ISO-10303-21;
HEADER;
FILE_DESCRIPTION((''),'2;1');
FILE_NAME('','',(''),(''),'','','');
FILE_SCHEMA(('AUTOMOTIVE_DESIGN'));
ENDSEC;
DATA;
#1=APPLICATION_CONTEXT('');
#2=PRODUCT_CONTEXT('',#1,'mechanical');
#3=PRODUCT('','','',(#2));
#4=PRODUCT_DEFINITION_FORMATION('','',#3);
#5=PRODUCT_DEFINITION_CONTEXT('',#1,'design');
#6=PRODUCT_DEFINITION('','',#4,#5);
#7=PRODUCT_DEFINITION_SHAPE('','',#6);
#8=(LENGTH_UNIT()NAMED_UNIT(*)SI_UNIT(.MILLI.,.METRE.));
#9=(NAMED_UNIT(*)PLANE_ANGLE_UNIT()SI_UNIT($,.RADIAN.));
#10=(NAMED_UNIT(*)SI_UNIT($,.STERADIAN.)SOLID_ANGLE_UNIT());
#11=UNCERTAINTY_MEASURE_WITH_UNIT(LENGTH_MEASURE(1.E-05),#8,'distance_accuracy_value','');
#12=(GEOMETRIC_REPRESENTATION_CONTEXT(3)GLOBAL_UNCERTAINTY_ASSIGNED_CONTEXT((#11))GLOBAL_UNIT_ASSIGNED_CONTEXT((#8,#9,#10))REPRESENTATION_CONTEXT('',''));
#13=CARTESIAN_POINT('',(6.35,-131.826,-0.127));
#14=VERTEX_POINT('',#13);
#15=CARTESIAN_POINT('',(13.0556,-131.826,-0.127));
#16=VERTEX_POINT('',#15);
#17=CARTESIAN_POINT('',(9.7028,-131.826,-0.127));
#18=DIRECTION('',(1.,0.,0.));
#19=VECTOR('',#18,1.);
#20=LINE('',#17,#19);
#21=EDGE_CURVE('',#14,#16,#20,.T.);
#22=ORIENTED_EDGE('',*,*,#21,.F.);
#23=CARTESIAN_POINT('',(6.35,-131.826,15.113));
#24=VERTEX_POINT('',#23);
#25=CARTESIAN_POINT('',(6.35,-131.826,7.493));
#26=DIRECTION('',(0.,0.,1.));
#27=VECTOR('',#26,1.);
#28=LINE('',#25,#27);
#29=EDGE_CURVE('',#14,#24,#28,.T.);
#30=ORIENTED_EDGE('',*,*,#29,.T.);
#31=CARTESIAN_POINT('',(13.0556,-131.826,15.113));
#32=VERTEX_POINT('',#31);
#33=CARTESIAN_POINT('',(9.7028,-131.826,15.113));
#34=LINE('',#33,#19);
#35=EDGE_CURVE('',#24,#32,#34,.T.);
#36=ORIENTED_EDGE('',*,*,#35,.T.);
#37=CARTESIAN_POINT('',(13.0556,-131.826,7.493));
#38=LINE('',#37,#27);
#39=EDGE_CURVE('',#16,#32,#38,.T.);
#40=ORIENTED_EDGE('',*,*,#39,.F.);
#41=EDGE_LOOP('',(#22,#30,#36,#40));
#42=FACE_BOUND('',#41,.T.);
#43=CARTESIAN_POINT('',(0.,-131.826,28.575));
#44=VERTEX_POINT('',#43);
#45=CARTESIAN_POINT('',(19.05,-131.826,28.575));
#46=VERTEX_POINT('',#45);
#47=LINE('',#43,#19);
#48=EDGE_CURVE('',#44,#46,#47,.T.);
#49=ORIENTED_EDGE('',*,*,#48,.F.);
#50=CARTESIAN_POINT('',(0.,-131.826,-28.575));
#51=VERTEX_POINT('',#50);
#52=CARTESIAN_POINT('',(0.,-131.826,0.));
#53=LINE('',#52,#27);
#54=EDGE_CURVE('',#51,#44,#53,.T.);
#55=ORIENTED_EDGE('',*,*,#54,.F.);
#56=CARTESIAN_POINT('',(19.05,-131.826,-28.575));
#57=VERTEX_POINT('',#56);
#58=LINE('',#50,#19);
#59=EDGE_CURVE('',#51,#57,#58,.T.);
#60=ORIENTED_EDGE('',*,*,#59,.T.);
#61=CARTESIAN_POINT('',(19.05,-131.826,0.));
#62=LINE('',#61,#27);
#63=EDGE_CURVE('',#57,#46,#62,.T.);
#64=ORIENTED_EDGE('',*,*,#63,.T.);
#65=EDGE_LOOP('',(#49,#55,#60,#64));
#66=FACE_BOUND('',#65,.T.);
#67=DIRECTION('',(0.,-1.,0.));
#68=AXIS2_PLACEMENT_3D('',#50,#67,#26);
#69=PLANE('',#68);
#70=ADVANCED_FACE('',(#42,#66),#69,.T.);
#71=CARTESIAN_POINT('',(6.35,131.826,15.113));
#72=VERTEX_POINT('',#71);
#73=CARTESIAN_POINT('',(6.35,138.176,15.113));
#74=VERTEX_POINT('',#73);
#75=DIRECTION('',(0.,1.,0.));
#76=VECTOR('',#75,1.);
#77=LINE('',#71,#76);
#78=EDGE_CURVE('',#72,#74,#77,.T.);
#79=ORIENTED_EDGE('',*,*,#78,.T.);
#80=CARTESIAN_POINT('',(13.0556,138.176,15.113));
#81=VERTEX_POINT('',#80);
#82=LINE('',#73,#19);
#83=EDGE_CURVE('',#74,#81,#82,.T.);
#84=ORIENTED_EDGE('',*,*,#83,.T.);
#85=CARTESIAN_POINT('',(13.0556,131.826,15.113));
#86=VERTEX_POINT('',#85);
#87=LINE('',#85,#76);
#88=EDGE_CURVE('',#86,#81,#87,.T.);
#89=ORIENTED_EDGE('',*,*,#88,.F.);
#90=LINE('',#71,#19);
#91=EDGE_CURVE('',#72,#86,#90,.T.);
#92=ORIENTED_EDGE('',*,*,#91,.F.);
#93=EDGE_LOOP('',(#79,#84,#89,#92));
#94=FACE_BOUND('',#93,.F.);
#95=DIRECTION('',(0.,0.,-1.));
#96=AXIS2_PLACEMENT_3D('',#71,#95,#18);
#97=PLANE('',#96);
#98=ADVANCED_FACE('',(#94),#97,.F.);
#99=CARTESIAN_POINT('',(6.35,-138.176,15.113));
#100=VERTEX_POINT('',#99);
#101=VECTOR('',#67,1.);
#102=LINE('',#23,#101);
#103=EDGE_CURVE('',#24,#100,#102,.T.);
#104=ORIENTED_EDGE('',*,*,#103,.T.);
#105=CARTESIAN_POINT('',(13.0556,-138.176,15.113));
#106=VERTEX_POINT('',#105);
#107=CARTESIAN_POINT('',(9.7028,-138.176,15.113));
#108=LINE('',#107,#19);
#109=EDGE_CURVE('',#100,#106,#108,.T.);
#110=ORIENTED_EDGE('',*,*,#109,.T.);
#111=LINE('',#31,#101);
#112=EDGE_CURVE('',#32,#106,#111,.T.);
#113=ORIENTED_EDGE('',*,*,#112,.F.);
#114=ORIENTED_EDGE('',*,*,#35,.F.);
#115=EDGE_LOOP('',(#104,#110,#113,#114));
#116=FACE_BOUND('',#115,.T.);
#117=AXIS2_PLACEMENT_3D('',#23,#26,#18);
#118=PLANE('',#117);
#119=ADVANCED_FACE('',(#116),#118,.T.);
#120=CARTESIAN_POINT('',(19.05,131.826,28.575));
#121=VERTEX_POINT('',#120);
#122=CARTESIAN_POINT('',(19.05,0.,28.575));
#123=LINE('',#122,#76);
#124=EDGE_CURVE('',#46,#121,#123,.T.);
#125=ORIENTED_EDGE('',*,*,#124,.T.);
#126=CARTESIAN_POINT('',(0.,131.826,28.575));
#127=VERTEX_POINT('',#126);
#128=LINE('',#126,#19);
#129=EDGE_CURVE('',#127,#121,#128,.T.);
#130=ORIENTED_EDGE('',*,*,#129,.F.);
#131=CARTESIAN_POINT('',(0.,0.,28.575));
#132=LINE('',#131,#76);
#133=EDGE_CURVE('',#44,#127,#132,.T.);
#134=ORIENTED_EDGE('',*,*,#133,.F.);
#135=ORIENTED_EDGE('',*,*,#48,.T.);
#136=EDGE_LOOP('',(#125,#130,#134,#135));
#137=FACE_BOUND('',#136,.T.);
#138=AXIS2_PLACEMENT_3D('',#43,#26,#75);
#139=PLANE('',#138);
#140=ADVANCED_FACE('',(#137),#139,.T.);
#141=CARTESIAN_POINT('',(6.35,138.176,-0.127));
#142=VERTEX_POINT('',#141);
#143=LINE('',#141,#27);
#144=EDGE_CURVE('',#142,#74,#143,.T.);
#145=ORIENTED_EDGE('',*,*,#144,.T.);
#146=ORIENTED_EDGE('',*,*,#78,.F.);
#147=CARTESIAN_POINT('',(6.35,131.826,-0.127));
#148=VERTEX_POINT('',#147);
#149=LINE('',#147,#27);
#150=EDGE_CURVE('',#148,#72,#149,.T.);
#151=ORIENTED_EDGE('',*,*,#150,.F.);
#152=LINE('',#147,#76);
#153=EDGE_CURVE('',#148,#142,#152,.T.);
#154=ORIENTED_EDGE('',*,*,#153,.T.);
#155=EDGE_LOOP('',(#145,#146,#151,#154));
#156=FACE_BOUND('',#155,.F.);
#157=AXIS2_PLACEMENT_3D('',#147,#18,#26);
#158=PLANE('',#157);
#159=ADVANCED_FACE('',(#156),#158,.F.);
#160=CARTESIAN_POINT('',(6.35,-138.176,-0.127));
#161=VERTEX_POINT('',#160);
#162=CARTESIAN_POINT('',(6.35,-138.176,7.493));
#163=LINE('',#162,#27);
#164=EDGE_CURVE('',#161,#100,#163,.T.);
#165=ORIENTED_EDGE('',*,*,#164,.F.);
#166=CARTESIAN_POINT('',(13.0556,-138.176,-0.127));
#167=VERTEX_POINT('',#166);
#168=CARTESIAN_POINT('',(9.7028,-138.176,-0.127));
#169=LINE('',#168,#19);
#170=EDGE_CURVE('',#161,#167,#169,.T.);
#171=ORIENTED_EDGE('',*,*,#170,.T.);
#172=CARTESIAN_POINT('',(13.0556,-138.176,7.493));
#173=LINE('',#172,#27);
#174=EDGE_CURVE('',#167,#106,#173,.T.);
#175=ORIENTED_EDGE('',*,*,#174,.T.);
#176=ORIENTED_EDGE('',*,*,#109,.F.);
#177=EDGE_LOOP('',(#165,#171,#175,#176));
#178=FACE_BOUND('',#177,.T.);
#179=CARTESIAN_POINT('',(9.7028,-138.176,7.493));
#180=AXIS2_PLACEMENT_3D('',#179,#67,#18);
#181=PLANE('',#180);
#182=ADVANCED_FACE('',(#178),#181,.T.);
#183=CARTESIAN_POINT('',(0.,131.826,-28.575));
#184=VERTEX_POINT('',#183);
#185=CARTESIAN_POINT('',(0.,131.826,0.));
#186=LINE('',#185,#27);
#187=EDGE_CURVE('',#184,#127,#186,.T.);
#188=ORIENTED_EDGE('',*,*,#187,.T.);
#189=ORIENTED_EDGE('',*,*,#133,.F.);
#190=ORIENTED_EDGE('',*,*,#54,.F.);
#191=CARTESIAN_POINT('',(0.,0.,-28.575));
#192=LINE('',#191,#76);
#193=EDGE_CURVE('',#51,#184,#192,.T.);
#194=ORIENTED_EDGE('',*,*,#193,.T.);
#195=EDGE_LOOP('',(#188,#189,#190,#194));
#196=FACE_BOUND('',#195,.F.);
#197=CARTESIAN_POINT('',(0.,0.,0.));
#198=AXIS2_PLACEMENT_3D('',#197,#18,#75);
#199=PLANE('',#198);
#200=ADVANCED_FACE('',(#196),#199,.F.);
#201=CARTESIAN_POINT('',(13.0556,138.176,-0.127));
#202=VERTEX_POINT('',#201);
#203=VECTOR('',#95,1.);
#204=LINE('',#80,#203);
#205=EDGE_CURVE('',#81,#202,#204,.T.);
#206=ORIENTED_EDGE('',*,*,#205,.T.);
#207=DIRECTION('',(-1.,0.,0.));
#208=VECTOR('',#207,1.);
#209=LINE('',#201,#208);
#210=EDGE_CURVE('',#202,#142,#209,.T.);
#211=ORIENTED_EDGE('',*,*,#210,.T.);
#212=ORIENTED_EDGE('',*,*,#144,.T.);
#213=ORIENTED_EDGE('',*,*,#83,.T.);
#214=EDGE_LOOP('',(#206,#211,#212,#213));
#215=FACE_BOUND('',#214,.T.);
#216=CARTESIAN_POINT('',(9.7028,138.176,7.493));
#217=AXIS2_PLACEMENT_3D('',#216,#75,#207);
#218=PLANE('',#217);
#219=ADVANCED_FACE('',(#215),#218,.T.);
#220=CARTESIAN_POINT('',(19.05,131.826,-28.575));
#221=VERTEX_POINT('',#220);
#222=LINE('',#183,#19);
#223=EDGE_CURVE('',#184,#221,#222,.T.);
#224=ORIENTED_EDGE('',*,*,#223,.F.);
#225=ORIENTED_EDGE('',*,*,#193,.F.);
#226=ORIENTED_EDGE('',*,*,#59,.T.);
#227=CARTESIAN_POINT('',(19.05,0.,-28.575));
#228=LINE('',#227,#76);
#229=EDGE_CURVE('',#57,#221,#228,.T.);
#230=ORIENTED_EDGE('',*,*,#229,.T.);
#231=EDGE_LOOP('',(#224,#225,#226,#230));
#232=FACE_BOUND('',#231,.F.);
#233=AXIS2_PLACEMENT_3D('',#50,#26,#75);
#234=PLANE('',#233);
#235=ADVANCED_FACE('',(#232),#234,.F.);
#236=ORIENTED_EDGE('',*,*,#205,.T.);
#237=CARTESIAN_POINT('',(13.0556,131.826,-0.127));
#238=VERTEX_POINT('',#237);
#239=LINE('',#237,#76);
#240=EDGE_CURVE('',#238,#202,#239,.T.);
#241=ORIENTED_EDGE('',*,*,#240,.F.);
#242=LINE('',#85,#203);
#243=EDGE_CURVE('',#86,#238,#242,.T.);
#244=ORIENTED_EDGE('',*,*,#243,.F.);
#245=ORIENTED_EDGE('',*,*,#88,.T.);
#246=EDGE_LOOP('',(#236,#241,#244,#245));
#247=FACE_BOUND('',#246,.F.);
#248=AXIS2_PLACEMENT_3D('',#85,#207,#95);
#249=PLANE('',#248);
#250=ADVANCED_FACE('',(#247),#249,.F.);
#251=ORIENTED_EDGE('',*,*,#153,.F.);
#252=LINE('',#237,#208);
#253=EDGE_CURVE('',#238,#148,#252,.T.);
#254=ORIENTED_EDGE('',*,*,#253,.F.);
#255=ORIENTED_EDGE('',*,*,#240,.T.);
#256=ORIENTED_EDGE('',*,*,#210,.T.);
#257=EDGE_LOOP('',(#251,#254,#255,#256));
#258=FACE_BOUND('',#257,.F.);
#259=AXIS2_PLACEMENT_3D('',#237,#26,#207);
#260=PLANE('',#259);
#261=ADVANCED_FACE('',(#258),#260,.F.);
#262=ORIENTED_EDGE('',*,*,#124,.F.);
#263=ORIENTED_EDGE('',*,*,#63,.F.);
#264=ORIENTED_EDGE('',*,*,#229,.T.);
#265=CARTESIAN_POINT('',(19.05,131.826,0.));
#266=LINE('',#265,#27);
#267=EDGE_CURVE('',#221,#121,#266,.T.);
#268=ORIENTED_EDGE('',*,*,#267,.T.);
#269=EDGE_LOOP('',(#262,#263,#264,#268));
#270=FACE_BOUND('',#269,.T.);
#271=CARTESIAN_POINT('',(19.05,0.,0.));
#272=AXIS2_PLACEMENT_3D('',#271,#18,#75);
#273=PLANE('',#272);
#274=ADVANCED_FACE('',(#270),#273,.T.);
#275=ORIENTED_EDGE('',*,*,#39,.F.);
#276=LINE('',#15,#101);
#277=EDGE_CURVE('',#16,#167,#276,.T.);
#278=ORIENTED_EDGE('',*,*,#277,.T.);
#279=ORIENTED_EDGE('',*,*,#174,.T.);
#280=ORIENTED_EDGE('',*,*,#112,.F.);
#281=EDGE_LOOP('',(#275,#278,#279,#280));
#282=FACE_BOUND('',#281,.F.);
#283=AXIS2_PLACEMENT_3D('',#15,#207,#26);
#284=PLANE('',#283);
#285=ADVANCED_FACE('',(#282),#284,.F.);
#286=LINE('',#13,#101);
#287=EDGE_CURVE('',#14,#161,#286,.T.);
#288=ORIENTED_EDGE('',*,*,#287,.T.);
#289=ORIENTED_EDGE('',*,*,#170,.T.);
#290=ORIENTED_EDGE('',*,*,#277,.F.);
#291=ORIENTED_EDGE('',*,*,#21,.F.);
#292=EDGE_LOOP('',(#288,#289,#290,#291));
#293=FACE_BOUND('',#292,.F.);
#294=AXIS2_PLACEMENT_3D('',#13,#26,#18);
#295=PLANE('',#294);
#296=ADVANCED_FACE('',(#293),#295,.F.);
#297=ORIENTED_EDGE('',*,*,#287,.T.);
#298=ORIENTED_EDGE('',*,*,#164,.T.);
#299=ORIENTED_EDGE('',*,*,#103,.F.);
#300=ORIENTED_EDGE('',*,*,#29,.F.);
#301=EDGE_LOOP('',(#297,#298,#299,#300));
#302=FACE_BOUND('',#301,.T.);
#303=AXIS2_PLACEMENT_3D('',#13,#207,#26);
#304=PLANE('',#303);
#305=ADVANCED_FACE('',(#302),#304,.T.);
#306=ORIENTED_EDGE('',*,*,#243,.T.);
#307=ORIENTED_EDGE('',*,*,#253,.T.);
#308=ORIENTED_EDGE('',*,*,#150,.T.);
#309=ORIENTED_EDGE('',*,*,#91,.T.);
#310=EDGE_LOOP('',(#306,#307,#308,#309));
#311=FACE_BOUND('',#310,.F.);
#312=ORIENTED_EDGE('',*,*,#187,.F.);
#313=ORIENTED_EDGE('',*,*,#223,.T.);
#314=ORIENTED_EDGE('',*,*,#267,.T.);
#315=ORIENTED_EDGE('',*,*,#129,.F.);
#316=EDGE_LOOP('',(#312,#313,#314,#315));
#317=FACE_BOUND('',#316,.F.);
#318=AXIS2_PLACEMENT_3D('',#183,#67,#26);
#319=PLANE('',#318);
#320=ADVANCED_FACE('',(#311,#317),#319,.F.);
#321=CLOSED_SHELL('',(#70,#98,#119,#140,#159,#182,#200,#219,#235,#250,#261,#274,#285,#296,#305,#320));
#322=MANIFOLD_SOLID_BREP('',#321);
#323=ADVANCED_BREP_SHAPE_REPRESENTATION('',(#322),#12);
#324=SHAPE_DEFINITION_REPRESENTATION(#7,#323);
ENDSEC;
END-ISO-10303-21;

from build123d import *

# Parameters (mm, degrees)
F0_W     = 263.652
F0_H     = 57.15
F1_DEPTH = 19.05
F2_W     = 6.7056
F2_H     = 15.24
F3_DEPTH = 6.35
F5_DEPTH = 6.35


with BuildPart() as f1:
    # F0 (on Right) → F1 (new body)
    with BuildSketch(Plane.YZ):
        Rectangle(F0_W, F0_H)
    extrude(amount=F1_DEPTH)

    # F2 (on face) → F3 (join)
    with BuildSketch(Plane.XZ.offset(131.826)):
        with Locations((9.7028, 7.493)):
            Rectangle(F2_W, F2_H)
    extrude(amount=F3_DEPTH)

    # F4 (on face) → F5 (join)
    with BuildSketch(Plane(origin=(0, 131.826, 0), x_dir=(-1, 0, 0), z_dir=(0, 1, 0))):
        Polygon((-6.35, 15.113), (-9.525, 15.113), (-13.0556, 15.113), (-13.0556, -0.127), (-6.35, -0.127), align=None)
    extrude(amount=F5_DEPTH)


solid = f1.part
